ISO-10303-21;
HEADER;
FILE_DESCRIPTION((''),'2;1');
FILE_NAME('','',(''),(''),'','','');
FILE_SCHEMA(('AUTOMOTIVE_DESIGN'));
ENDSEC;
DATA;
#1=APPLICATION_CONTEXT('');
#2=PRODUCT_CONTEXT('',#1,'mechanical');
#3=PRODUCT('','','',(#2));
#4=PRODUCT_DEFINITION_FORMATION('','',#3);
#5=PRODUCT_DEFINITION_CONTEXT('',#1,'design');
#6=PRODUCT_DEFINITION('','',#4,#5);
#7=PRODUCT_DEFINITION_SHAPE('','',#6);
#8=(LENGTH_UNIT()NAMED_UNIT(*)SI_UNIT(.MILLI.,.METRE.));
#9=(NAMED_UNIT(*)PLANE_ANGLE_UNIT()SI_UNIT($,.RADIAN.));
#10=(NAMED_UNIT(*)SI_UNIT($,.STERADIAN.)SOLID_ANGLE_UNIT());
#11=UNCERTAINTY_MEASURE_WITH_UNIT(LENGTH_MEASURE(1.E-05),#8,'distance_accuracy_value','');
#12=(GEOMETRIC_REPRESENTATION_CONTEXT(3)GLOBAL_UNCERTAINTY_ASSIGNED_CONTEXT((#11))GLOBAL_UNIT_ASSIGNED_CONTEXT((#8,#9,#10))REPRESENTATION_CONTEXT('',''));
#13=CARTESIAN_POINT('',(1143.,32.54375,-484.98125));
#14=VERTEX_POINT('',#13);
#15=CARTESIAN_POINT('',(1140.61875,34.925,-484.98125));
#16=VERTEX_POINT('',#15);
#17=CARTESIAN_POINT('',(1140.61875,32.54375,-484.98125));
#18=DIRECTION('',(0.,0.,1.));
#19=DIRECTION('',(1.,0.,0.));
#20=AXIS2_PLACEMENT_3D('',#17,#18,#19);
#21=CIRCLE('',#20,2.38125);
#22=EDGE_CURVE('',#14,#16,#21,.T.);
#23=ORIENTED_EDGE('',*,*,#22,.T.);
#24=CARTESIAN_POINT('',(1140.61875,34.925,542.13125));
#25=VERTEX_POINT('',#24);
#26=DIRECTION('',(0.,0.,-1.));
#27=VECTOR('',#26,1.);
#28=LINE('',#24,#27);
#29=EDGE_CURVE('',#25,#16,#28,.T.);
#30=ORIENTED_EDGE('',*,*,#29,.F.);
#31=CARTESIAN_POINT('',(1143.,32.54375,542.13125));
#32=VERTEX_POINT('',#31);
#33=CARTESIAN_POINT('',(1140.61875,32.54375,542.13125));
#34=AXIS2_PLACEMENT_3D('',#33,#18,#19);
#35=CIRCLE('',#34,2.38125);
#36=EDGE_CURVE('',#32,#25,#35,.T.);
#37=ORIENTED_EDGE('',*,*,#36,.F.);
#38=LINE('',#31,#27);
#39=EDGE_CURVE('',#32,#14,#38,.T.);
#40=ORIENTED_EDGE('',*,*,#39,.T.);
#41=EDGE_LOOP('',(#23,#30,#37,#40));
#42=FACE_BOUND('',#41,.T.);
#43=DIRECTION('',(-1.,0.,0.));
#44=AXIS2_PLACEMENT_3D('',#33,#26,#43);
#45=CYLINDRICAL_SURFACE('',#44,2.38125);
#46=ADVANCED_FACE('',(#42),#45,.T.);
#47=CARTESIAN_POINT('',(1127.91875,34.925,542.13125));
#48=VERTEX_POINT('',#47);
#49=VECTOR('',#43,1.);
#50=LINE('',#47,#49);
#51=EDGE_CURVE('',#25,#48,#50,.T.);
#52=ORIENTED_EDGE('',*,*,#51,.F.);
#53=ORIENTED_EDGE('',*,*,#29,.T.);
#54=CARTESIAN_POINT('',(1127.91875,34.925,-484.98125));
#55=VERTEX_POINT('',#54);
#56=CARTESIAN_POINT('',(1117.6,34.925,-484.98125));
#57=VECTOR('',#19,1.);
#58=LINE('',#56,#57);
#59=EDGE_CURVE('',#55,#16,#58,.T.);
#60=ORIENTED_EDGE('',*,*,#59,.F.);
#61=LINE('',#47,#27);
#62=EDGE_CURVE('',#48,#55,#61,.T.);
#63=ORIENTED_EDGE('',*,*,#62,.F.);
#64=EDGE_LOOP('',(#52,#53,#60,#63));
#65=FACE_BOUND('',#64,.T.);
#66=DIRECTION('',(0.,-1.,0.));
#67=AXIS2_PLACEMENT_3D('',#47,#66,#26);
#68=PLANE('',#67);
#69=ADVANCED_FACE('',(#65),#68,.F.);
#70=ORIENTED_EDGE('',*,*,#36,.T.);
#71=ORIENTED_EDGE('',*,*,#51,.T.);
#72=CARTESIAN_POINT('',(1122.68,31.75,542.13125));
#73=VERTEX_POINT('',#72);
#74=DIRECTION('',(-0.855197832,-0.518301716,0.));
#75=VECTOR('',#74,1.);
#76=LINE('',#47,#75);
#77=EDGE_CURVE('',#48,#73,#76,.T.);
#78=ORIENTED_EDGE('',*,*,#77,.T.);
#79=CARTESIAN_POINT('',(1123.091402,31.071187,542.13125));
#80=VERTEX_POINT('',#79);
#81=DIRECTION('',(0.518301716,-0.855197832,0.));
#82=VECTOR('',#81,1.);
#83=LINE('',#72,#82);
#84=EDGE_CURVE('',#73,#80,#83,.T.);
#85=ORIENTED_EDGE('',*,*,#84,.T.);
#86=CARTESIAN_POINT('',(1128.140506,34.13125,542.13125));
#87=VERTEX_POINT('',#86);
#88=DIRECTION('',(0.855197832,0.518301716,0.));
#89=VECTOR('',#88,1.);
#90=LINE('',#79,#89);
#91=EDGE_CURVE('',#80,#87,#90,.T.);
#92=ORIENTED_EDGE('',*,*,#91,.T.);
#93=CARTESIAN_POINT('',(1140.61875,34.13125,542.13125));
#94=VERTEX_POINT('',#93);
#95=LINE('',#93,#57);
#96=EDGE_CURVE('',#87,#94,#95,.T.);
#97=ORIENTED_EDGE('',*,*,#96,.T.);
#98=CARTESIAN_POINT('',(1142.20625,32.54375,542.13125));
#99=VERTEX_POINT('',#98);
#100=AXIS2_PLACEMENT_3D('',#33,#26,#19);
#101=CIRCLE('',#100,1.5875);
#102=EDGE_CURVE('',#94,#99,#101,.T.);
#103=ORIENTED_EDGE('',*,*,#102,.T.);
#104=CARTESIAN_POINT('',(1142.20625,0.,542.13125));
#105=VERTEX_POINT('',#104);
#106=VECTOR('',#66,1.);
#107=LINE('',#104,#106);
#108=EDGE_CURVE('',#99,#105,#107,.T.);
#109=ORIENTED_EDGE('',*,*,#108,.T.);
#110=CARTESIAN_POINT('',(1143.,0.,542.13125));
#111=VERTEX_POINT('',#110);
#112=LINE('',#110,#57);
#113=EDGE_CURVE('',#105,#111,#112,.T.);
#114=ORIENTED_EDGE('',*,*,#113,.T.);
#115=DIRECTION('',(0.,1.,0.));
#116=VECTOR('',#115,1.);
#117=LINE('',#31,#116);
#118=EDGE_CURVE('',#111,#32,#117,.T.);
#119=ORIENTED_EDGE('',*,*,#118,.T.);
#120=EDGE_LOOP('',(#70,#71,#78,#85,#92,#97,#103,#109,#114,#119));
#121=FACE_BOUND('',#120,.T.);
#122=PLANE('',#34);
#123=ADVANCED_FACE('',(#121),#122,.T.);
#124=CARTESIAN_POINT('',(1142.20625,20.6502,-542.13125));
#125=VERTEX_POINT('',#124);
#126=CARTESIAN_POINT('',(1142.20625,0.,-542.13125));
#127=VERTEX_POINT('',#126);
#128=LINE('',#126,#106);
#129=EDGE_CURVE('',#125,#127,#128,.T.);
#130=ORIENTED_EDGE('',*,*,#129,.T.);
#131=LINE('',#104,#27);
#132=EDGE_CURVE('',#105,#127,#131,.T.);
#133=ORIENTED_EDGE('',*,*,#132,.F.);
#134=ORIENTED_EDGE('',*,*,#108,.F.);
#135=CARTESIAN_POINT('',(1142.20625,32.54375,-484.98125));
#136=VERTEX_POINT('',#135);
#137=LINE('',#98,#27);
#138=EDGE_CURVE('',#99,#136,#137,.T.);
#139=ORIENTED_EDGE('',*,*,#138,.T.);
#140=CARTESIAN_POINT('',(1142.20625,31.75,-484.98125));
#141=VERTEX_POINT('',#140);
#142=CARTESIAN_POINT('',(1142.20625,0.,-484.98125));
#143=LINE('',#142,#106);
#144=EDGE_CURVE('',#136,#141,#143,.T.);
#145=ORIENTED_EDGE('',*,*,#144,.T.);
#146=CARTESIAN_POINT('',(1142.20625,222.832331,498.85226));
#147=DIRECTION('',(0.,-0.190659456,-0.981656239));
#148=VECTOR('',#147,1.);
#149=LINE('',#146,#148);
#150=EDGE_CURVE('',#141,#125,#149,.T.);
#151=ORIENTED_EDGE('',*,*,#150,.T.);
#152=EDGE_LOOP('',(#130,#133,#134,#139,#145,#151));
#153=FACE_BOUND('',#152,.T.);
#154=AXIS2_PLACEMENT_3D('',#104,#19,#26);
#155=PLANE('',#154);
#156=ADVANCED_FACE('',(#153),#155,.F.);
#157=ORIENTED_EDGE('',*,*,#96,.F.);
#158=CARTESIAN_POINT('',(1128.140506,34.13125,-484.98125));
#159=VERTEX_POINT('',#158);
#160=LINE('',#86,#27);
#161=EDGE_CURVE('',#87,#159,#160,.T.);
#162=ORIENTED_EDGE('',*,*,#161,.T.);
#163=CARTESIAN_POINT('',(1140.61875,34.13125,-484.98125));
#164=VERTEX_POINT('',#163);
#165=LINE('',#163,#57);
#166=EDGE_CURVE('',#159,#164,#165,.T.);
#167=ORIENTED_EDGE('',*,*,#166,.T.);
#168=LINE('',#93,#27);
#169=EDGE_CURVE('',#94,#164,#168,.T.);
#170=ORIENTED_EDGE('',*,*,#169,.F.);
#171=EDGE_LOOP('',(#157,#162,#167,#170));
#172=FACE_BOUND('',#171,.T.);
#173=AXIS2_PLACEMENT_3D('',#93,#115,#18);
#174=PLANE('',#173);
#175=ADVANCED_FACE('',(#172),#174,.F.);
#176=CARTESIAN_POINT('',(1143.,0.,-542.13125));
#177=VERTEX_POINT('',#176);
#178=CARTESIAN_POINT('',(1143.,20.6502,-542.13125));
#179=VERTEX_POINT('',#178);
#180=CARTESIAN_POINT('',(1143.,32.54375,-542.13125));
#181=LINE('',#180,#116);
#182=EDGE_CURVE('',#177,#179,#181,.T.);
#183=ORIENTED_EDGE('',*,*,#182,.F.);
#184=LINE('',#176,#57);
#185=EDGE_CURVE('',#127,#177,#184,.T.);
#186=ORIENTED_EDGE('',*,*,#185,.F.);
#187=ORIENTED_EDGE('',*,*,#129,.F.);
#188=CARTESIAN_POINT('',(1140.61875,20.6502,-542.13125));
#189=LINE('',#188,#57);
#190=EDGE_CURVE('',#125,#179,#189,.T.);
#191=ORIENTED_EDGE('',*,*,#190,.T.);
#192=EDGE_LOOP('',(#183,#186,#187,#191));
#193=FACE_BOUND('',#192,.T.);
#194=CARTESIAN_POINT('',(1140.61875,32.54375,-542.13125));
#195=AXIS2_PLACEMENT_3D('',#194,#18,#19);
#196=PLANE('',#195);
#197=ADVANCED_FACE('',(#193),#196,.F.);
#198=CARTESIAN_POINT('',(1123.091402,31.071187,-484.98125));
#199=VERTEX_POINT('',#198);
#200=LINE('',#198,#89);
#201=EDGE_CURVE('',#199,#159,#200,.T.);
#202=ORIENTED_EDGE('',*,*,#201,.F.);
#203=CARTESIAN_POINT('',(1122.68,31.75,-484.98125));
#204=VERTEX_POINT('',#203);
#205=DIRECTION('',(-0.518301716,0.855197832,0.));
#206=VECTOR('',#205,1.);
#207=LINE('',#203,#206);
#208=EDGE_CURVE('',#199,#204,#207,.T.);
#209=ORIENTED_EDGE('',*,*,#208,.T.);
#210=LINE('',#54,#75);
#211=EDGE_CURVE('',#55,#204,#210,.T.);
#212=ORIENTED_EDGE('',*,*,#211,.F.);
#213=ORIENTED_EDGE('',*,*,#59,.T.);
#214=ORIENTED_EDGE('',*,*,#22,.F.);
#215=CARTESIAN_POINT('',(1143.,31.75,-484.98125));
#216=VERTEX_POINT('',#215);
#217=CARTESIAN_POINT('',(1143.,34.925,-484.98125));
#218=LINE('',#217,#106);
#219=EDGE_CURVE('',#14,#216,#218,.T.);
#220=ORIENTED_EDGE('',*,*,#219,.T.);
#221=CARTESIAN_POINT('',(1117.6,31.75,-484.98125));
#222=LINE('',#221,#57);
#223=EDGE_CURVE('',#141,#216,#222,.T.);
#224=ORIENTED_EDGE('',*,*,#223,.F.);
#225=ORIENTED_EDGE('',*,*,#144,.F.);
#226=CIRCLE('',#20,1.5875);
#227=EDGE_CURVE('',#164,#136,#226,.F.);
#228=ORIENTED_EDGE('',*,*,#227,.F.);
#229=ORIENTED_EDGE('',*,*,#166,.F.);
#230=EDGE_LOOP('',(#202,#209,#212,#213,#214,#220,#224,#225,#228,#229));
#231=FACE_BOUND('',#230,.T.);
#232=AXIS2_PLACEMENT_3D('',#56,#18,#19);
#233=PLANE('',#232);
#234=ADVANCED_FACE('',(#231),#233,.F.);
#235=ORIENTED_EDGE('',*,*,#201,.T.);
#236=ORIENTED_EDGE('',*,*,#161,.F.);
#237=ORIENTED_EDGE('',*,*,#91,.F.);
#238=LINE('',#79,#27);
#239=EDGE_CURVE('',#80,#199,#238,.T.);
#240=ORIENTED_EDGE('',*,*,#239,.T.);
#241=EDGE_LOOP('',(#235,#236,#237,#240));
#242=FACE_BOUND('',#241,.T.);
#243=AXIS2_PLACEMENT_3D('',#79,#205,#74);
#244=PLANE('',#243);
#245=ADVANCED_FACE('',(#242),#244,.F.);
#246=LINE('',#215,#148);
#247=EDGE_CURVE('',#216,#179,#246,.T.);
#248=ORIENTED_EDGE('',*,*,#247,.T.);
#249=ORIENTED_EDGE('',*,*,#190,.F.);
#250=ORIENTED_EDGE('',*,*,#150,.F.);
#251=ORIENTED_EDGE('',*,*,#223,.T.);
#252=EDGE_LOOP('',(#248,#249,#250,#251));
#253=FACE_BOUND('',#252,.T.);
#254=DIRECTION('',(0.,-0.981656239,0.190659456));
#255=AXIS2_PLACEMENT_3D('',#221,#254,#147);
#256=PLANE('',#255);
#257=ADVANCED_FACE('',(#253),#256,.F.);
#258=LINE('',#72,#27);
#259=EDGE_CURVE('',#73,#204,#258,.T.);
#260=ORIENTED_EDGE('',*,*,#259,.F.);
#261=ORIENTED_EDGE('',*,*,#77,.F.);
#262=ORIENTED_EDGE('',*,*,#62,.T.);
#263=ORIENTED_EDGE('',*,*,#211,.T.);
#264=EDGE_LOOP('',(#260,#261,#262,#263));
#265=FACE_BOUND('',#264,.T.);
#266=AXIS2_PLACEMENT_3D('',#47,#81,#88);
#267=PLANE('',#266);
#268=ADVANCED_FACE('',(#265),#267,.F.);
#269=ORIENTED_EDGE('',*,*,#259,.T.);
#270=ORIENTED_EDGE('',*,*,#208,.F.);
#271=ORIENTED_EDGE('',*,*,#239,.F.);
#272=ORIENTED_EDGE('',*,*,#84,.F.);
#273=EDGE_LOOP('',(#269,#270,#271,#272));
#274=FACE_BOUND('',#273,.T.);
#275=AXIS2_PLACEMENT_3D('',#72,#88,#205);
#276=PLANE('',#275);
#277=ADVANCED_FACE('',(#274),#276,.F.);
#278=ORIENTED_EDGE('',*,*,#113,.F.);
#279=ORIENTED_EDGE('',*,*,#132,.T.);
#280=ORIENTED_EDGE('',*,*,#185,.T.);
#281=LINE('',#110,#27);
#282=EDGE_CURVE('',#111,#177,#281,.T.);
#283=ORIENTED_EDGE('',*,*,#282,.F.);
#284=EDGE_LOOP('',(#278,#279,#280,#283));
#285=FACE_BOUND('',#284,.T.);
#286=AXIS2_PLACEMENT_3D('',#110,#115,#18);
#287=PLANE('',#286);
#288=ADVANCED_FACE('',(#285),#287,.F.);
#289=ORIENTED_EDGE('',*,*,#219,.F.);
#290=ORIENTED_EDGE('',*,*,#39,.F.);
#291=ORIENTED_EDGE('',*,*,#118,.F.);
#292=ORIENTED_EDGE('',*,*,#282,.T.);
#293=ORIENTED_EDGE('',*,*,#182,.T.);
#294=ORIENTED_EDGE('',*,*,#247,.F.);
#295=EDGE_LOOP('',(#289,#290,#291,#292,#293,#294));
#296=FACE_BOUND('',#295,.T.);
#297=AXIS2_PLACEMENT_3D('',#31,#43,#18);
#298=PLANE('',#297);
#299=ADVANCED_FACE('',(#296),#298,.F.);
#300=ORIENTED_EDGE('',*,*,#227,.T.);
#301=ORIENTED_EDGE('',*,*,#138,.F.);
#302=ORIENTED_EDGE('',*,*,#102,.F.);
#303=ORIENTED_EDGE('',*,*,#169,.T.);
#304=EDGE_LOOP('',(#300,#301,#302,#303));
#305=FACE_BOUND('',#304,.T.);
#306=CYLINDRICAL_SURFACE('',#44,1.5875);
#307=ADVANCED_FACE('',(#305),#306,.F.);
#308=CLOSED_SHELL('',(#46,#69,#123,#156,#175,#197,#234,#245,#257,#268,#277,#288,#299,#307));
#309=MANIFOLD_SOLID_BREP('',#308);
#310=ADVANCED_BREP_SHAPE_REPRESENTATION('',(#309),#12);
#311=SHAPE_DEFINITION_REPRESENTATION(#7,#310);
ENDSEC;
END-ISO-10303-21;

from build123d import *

# Parameters (mm, degrees)
EXTRUDE1_DEPTH     = 542.13125
CUT_EXTRUDE1_DEPTH = 25.4
CUT_EXTRUDE2_DEPTH = 25.4


with BuildPart() as part:
    # Sketch1 → Extrude1 (new body, symmetric)
    with BuildSketch(Plane.XY):
        with BuildLine():
            Line((1143, 0), (1142.20625, 0))
            Line((1142.20625, 0), (1142.20625, 32.54375))
            ThreePointArc((1142.20625, 32.54375), (1141.741282015, 33.666282015), (1140.61875, 34.13125))
            Line((1140.61875, 34.13125), (1128.140506397, 34.13125))
            Line((1128.140506397, 34.13125), (1123.091401986, 31.071186722))
            Line((1123.091401986, 31.071186722), (1122.68, 31.75))
            Line((1122.68, 31.75), (1127.91875, 34.925))
            Line((1127.91875, 34.925), (1140.61875, 34.925))
            ThreePointArc((1140.61875, 34.925), (1142.302548023, 34.227548023), (1143, 32.54375))
            Line((1143, 32.54375), (1143, 0))
        make_face()
    extrude(amount=EXTRUDE1_DEPTH, both=True)

    # Sketch2 → Cut-Extrude1 (cut)
    with BuildSketch(Plane(origin=(1143, 0, 0), x_dir=(0, 0, -1), z_dir=(1, 0, 0))):
        Polygon((542.13125, 34.925), (484.98125, 34.925), (484.98125, 31.75), (542.13125, 20.6502), align=None)
    extrude(amount=-CUT_EXTRUDE1_DEPTH, mode=Mode.SUBTRACT)

    # Sketch3 → Cut-Extrude2 (cut)
    with BuildSketch(Plane(origin=(0, 0, -484.98125), x_dir=(-1, 0, 0), z_dir=(0, 0, -1))):
        Polygon((-1127.91875, 34.925), (-1122.68, 31.75), (-1123.420434334, 30.528283348), (-1128.140506397, 34.13125), align=None)
    extrude(amount=CUT_EXTRUDE2_DEPTH, mode=Mode.SUBTRACT)


solid = part.part
